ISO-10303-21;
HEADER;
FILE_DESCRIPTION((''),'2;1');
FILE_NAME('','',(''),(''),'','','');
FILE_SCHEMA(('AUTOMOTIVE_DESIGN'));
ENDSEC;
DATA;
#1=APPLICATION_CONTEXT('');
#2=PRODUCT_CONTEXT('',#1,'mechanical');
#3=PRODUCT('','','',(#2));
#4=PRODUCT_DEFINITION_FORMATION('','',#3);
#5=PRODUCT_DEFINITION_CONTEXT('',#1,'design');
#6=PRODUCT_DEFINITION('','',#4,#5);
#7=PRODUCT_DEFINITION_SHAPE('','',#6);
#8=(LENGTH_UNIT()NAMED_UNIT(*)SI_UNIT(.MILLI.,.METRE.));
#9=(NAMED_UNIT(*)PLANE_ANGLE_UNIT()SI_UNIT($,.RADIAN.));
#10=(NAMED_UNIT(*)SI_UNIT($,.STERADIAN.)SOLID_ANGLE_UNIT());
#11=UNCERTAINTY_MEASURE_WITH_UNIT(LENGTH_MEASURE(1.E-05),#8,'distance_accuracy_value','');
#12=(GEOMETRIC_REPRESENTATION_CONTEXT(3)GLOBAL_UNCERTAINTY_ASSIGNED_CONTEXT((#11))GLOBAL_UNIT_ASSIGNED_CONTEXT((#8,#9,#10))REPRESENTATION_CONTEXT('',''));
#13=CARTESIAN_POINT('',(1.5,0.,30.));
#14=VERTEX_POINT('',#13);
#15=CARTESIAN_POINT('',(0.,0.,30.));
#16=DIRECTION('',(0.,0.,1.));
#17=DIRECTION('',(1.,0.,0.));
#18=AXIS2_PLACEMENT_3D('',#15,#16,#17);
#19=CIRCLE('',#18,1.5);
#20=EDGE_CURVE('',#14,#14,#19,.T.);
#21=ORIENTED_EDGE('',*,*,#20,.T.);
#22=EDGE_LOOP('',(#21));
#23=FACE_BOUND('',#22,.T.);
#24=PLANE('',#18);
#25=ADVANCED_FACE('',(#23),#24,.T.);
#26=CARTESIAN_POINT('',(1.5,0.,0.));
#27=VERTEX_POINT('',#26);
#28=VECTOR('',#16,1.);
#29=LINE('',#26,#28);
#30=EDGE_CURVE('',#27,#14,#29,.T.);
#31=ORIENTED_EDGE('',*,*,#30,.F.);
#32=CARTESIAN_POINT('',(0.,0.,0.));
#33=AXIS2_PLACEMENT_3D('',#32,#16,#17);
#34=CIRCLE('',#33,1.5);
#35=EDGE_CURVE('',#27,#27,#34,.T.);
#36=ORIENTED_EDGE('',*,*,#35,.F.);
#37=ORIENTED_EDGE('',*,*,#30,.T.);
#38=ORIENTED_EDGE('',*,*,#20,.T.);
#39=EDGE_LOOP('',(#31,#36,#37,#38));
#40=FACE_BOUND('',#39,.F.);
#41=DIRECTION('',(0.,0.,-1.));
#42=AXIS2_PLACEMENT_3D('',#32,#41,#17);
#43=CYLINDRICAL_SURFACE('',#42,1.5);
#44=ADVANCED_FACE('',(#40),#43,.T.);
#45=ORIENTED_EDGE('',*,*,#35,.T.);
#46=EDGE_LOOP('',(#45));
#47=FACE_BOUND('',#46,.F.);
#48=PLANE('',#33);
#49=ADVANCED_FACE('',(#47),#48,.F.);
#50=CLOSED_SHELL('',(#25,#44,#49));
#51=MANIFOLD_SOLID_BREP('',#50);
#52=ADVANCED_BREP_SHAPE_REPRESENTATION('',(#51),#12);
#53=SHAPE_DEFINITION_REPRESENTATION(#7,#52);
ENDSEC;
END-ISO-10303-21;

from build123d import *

# Parameters (mm, degrees)
ESQUISSE1_R        = 1.5
BOSS_EXTRU_1_DEPTH = 30


with BuildPart() as part:
    # Esquisse1 → Boss.-Extru.1 (new body)
    with BuildSketch(Plane.XY):
        Circle(ESQUISSE1_R)
    extrude(amount=BOSS_EXTRU_1_DEPTH)


solid = part.part
